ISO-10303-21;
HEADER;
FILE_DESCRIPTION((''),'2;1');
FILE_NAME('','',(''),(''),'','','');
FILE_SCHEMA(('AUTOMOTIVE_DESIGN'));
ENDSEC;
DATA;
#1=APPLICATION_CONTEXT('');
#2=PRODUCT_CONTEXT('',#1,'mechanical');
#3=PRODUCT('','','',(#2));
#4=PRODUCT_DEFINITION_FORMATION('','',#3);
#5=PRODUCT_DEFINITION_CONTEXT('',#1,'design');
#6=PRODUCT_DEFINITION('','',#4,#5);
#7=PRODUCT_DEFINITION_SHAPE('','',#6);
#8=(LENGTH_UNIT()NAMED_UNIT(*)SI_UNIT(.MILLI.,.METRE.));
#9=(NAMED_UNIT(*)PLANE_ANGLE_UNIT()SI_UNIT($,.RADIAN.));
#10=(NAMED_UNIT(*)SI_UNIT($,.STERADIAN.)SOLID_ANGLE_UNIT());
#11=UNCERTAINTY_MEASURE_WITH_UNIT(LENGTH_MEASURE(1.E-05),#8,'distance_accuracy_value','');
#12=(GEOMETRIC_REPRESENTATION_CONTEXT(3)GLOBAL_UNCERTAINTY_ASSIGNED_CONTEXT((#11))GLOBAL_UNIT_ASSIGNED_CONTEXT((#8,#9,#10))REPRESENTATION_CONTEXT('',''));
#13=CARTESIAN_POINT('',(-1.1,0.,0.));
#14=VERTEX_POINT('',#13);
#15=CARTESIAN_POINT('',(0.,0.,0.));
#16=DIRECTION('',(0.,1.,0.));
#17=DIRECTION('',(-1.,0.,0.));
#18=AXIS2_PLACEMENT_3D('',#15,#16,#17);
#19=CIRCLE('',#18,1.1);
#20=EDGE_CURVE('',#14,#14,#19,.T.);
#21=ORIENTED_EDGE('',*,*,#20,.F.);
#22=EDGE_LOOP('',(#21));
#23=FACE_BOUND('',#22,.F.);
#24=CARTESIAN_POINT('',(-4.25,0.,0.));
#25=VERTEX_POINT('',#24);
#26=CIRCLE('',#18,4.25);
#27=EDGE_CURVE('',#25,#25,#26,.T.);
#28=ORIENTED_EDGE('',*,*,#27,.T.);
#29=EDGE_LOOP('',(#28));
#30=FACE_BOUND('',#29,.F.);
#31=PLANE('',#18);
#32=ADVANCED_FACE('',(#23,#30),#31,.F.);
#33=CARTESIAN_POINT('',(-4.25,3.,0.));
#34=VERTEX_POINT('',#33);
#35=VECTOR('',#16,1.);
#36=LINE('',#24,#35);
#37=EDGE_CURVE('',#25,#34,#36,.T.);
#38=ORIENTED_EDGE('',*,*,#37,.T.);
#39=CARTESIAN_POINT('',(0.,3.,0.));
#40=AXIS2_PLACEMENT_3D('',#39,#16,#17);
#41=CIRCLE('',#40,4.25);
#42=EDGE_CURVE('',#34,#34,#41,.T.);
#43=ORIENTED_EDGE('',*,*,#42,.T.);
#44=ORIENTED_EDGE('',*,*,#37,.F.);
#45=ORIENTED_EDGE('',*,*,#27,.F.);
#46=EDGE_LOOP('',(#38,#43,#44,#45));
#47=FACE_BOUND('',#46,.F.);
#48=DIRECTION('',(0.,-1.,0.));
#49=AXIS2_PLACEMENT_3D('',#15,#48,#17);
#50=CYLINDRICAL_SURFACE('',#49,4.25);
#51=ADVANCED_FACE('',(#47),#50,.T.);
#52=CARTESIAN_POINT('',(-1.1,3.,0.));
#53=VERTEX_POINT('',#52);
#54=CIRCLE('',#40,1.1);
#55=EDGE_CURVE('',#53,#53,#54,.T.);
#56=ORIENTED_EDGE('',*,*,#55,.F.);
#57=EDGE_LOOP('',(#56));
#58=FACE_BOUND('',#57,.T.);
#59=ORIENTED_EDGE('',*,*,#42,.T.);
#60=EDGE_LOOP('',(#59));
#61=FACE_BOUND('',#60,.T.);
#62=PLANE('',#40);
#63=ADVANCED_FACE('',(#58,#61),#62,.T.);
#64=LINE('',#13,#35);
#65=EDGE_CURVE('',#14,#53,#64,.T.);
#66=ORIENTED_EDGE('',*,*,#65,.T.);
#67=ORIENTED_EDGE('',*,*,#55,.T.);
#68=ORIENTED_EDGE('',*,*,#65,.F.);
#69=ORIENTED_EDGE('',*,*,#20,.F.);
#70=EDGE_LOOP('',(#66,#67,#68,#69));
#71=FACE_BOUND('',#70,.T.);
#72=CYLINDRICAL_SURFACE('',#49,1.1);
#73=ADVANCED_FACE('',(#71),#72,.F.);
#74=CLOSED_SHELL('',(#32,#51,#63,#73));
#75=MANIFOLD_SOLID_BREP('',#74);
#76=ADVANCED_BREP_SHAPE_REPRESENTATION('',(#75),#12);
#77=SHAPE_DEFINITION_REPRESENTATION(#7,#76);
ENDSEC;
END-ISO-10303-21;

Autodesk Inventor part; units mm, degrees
ref_plane "YZ Plane" through (0, 0, 0) normal (1, 0, 0) x (0, 1, 0)
ref_plane "XZ Plane" through (0, 0, 0) normal (0, 1, 0) x (-1, 0, 0)
ref_plane "XY Plane" through (0, 0, 0) normal (0, 0, 1) x (1, 0, 0)
sketch "Sketch1" plane through (0, 0, 0) normal (0, 1, 0) x (-1, 0, 0)
  circle A0 centre (0, 0) radius 4.25
  circle A1 centre (0, 0) radius 1.1
  dimension "d0" = 8.5
  dimension "d1" = 2.2
extrude "Extrusion1" add sketch "Sketch1" along normal blind 3
properties part number "Wheel"
